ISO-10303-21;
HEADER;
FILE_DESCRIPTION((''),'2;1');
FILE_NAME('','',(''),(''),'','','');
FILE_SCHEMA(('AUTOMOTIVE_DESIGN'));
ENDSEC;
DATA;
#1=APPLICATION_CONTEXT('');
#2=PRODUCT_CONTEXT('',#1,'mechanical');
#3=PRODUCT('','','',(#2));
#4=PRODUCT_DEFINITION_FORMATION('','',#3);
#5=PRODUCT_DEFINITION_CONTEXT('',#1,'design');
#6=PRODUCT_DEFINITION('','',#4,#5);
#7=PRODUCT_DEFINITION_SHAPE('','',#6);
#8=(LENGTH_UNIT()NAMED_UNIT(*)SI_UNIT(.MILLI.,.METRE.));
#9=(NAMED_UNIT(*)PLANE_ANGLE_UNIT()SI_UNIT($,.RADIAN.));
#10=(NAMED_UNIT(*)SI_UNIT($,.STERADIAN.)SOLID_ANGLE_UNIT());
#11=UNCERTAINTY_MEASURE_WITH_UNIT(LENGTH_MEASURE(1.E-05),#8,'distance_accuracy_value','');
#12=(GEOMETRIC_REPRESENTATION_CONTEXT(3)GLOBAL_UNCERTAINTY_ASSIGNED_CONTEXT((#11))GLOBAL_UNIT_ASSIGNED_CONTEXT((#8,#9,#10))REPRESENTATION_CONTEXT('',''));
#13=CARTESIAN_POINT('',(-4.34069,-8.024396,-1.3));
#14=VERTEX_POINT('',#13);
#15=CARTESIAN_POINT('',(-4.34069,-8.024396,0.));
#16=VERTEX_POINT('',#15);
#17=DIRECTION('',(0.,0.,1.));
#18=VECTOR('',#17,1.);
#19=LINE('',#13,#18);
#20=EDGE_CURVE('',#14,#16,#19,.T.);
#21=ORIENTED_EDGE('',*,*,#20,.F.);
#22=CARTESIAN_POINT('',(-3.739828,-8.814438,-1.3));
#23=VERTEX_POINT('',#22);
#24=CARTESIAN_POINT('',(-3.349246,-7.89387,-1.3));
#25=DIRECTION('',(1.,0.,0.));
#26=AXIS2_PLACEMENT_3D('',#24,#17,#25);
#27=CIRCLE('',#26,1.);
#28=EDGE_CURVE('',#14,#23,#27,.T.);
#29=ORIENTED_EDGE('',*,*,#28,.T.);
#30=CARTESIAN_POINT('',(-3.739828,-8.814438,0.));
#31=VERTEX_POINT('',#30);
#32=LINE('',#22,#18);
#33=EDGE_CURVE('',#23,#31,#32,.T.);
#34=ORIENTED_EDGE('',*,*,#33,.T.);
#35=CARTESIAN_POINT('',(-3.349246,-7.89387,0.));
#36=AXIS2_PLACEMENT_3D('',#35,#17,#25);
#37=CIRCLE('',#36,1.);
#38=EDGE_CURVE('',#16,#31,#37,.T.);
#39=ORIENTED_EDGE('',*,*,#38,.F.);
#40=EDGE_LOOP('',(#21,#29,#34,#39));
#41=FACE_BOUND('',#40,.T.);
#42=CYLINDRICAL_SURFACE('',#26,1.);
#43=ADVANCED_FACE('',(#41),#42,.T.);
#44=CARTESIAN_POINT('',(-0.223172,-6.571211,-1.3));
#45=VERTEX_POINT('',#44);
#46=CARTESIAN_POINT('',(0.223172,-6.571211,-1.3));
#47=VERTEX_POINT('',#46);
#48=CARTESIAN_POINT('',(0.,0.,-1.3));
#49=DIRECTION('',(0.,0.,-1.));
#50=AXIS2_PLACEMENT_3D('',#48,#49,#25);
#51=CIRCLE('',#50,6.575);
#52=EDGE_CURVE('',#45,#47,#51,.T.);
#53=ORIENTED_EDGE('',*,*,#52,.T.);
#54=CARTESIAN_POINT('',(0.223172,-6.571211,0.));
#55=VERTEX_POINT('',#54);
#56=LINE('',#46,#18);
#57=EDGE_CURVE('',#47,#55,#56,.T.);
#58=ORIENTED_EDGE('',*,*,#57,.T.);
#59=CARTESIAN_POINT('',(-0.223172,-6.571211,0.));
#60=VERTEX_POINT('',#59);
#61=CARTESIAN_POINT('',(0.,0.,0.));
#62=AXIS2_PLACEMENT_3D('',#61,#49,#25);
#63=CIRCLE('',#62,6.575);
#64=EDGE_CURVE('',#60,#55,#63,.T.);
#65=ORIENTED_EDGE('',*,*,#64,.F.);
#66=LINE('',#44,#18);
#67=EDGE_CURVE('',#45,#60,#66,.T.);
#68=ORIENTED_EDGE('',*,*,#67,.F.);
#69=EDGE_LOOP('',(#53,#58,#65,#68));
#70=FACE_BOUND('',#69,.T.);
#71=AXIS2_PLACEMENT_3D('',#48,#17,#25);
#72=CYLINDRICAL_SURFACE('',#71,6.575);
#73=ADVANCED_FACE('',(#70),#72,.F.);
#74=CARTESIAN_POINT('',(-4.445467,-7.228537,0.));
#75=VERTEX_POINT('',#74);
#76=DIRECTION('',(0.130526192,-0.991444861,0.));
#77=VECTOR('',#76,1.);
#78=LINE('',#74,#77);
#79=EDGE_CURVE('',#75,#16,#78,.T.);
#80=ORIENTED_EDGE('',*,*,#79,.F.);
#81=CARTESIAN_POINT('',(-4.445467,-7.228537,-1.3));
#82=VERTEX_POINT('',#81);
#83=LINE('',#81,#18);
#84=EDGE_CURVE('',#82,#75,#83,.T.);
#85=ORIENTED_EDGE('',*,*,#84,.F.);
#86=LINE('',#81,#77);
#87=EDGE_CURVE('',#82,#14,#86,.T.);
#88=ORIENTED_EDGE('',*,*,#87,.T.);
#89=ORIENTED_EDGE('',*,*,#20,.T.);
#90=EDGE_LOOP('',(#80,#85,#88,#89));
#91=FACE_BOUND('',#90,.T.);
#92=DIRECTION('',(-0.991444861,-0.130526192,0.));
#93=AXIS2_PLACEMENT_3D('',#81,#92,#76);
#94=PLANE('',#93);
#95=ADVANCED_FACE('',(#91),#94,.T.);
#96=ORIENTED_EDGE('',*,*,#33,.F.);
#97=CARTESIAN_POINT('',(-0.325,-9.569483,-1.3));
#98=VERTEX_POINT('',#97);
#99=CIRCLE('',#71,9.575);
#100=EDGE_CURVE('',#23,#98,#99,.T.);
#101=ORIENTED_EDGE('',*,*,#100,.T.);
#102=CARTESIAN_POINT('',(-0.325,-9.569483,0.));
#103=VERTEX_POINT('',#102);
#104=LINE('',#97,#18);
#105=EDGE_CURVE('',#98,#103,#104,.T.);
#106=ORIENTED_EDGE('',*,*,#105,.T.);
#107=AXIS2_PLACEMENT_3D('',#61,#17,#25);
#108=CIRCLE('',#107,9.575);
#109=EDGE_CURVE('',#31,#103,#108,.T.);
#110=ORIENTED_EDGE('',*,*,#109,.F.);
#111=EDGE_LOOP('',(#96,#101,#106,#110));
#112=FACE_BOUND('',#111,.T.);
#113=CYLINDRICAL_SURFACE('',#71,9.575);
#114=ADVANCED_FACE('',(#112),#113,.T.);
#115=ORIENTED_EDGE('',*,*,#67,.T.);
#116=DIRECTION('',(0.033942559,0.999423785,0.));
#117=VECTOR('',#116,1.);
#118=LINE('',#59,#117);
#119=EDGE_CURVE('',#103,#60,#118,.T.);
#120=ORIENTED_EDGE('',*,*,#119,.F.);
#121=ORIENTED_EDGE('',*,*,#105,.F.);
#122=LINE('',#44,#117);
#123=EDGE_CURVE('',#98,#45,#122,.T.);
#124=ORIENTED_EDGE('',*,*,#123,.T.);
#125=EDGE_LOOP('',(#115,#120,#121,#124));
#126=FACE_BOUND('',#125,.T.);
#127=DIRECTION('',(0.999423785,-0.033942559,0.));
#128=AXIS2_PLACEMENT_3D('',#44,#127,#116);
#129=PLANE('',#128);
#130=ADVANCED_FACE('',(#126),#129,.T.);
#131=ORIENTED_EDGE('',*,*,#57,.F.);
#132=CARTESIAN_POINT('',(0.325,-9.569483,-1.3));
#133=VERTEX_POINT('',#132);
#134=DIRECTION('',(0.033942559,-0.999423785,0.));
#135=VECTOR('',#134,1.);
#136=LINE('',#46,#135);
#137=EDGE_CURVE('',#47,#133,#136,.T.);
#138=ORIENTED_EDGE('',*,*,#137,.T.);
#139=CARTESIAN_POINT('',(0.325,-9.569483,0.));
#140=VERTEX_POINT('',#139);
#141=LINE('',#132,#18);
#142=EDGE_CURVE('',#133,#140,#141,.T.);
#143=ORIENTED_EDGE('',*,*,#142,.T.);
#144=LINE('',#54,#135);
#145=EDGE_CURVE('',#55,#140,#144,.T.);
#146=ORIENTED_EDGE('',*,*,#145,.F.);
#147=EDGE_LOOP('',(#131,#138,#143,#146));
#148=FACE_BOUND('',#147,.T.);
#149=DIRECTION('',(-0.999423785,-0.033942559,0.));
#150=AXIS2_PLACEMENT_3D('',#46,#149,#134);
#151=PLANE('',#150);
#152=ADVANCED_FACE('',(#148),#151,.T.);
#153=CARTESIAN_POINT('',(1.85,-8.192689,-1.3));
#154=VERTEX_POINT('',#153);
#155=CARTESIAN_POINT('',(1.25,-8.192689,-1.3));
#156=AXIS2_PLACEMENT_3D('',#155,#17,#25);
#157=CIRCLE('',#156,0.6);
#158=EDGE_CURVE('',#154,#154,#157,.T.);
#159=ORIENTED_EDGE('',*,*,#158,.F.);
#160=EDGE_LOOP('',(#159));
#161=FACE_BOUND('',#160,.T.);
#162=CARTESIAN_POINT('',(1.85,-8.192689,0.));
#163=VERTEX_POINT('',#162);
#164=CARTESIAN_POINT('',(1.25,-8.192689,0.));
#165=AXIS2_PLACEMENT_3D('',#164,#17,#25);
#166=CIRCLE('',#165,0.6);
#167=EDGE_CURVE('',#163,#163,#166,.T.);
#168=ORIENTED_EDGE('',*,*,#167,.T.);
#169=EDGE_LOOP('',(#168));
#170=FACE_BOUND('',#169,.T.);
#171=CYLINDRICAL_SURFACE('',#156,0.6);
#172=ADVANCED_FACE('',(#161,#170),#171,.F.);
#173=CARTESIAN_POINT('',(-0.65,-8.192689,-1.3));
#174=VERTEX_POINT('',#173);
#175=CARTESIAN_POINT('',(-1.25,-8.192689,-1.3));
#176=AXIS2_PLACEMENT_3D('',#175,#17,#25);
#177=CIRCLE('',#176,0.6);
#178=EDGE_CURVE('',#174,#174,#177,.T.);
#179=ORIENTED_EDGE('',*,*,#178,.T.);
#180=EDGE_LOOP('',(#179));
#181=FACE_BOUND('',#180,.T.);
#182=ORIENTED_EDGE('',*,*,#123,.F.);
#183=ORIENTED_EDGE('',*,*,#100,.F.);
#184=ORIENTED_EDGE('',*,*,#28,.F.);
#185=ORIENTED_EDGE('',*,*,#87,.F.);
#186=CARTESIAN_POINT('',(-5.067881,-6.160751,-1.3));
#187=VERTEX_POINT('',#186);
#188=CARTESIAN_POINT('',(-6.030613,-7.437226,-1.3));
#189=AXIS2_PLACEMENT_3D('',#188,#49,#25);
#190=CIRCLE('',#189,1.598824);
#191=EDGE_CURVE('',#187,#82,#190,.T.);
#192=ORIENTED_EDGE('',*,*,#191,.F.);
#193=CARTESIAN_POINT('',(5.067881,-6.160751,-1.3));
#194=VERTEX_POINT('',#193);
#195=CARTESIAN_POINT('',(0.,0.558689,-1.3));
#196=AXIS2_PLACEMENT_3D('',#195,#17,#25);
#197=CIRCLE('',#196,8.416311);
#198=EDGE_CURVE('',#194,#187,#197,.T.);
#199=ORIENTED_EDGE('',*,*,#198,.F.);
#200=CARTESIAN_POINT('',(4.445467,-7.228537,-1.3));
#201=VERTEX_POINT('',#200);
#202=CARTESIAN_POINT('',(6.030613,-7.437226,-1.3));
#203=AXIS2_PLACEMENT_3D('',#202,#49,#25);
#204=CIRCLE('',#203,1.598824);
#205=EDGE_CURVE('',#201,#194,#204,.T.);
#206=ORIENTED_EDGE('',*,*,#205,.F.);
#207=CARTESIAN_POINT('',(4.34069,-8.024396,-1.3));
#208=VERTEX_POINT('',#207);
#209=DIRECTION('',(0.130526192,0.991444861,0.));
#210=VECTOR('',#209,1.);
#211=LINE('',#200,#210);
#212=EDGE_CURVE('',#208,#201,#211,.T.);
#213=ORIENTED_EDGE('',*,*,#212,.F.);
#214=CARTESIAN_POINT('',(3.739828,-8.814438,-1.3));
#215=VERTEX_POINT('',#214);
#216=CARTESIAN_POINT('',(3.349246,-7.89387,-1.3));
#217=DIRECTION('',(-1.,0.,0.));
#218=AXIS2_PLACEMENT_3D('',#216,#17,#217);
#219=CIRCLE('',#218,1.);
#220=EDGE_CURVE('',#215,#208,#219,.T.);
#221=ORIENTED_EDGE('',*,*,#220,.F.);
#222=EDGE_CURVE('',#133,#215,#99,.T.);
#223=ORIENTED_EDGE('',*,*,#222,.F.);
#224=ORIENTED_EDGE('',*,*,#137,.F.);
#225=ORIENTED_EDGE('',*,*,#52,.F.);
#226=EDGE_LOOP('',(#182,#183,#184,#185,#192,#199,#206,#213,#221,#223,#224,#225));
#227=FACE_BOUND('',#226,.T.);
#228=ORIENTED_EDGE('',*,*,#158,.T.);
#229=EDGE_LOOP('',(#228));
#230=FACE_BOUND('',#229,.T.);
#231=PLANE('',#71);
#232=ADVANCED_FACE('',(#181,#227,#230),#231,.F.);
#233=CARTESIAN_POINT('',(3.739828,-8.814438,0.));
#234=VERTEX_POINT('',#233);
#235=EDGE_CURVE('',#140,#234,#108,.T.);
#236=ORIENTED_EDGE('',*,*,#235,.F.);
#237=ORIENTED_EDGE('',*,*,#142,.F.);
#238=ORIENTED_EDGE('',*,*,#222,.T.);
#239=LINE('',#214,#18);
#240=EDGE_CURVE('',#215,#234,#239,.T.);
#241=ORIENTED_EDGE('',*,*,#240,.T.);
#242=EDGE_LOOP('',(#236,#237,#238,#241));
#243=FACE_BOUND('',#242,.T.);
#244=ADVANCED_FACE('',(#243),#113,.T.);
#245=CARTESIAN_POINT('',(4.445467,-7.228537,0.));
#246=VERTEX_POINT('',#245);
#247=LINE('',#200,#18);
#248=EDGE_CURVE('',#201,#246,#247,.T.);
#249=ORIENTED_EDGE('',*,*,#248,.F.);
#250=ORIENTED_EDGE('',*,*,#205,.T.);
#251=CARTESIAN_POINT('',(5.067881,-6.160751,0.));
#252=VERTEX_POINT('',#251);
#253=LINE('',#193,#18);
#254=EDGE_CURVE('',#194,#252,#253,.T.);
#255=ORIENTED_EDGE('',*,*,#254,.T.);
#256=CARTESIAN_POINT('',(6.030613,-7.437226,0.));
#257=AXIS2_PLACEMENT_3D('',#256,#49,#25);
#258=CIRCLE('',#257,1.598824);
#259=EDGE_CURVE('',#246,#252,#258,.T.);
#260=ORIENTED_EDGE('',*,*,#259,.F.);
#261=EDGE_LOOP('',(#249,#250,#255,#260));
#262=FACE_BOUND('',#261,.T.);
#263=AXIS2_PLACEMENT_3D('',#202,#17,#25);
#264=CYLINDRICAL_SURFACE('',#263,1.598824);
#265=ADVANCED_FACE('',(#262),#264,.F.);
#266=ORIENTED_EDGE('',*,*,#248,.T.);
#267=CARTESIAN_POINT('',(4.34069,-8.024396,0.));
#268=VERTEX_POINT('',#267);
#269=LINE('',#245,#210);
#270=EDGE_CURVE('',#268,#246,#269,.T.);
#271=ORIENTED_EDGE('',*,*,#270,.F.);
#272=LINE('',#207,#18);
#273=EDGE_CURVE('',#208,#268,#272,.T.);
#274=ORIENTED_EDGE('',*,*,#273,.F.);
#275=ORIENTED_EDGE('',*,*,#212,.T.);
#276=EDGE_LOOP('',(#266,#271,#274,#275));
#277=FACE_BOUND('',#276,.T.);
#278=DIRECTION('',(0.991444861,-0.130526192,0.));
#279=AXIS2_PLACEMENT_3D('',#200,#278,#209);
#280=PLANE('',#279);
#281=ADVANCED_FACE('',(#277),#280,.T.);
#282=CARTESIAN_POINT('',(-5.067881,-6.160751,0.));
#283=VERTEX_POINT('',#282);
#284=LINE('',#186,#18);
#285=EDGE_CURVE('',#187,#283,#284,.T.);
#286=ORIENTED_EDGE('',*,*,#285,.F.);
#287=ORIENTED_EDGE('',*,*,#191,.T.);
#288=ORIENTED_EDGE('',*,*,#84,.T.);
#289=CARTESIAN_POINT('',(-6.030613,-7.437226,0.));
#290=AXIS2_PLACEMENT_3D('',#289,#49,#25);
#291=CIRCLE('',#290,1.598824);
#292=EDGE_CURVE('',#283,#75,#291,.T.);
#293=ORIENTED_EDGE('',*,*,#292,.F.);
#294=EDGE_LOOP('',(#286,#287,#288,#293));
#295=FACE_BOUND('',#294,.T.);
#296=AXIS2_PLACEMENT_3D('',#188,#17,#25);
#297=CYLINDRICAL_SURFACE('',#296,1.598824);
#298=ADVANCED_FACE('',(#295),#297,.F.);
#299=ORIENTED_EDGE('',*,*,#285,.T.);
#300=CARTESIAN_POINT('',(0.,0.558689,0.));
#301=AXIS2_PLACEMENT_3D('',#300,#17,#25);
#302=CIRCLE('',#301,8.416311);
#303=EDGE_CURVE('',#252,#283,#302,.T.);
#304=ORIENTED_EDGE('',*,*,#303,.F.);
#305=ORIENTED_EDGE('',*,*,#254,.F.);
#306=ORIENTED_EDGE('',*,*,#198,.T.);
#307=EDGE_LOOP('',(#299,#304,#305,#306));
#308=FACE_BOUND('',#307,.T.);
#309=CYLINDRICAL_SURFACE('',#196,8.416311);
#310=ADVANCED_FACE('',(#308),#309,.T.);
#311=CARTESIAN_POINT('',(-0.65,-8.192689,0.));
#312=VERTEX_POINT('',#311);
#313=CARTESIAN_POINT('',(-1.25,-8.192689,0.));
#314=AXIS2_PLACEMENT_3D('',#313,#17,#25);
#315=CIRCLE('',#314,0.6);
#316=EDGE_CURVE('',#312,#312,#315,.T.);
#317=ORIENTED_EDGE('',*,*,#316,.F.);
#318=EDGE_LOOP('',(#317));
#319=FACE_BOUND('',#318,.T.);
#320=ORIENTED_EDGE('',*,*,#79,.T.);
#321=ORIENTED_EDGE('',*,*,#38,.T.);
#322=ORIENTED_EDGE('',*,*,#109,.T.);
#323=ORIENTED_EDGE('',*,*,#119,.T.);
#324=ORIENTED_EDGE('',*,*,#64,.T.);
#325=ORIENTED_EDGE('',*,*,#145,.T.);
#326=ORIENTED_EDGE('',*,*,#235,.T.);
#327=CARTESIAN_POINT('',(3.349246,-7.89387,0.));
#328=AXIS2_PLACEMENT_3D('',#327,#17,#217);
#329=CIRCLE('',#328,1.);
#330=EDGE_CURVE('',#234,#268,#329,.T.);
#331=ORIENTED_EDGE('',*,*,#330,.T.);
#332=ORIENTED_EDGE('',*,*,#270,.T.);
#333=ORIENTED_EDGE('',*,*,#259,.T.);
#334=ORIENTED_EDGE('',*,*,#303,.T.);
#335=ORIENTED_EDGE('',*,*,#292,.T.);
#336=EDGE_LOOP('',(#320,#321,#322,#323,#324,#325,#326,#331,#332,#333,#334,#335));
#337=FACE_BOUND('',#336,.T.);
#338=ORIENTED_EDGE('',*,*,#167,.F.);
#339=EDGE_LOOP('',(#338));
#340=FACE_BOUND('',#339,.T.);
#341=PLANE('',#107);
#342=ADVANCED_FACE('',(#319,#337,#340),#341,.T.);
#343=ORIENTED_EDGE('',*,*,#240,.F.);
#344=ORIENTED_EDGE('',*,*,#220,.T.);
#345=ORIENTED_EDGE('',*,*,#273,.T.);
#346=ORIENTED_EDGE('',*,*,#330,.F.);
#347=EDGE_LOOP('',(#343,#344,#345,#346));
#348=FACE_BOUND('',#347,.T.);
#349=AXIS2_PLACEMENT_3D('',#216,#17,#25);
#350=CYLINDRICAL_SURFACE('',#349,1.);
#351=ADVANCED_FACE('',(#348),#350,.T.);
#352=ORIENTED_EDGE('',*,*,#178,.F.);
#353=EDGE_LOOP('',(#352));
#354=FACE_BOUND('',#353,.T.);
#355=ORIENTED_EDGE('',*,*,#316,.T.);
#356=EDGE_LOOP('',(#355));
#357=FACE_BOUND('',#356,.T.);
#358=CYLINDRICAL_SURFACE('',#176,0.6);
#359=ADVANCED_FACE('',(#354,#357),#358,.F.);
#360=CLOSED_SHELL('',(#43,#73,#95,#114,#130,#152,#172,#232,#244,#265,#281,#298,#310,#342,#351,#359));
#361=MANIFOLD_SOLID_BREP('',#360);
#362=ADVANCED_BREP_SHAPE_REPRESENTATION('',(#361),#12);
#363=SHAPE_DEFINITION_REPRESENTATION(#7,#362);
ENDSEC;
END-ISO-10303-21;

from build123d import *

# Parameters (mm, degrees)
BODYSKE_R  = 0.6
BODY_DEPTH = 1.3


with BuildPart() as part:
    # BodySke → Body (new body)
    with BuildSketch(Plane.XY):
        with BuildLine():
            Line((0.223172324, -6.571211389), (0.325, -9.569482745))
            ThreePointArc((0.325, -9.569482745), (2.067179303, -9.349192197), (3.739828154, -8.81443761))
            ThreePointArc((3.739828154, -8.81443761), (4.145198739, -8.499227928), (4.340690441, -8.024395905))
            Line((4.340690441, -8.024395905), (4.445467219, -7.228537259))
            ThreePointArc((4.445467219, -7.228537259), (4.649323286, -6.632069256), (5.06788143, -6.160751471))
            ThreePointArc((5.06788143, -6.160751471), (0, 8.975), (-5.06788143, -6.160751471))
            ThreePointArc((-5.06788143, -6.160751471), (-4.649323286, -6.632069256), (-4.445467219, -7.228537259))
            Line((-4.445467219, -7.228537259), (-4.340690441, -8.024395905))
            ThreePointArc((-4.340690441, -8.024395905), (-4.145198739, -8.499227928), (-3.739828154, -8.81443761))
            ThreePointArc((-3.739828154, -8.81443761), (-2.067179303, -9.349192197), (-0.325, -9.569482745))
            Line((-0.325, -9.569482745), (-0.223172324, -6.571211389))
            ThreePointArc((-0.223172324, -6.571211389), (0, 6.575), (0.223172324, -6.571211389))
        make_face()
        with Locations((1.25, -8.192689195)):
            Circle(BODYSKE_R, mode=Mode.SUBTRACT)
        with Locations((-1.25, -8.192689195)):
            Circle(BODYSKE_R, mode=Mode.SUBTRACT)
    extrude(amount=-BODY_DEPTH)


solid = part.part
